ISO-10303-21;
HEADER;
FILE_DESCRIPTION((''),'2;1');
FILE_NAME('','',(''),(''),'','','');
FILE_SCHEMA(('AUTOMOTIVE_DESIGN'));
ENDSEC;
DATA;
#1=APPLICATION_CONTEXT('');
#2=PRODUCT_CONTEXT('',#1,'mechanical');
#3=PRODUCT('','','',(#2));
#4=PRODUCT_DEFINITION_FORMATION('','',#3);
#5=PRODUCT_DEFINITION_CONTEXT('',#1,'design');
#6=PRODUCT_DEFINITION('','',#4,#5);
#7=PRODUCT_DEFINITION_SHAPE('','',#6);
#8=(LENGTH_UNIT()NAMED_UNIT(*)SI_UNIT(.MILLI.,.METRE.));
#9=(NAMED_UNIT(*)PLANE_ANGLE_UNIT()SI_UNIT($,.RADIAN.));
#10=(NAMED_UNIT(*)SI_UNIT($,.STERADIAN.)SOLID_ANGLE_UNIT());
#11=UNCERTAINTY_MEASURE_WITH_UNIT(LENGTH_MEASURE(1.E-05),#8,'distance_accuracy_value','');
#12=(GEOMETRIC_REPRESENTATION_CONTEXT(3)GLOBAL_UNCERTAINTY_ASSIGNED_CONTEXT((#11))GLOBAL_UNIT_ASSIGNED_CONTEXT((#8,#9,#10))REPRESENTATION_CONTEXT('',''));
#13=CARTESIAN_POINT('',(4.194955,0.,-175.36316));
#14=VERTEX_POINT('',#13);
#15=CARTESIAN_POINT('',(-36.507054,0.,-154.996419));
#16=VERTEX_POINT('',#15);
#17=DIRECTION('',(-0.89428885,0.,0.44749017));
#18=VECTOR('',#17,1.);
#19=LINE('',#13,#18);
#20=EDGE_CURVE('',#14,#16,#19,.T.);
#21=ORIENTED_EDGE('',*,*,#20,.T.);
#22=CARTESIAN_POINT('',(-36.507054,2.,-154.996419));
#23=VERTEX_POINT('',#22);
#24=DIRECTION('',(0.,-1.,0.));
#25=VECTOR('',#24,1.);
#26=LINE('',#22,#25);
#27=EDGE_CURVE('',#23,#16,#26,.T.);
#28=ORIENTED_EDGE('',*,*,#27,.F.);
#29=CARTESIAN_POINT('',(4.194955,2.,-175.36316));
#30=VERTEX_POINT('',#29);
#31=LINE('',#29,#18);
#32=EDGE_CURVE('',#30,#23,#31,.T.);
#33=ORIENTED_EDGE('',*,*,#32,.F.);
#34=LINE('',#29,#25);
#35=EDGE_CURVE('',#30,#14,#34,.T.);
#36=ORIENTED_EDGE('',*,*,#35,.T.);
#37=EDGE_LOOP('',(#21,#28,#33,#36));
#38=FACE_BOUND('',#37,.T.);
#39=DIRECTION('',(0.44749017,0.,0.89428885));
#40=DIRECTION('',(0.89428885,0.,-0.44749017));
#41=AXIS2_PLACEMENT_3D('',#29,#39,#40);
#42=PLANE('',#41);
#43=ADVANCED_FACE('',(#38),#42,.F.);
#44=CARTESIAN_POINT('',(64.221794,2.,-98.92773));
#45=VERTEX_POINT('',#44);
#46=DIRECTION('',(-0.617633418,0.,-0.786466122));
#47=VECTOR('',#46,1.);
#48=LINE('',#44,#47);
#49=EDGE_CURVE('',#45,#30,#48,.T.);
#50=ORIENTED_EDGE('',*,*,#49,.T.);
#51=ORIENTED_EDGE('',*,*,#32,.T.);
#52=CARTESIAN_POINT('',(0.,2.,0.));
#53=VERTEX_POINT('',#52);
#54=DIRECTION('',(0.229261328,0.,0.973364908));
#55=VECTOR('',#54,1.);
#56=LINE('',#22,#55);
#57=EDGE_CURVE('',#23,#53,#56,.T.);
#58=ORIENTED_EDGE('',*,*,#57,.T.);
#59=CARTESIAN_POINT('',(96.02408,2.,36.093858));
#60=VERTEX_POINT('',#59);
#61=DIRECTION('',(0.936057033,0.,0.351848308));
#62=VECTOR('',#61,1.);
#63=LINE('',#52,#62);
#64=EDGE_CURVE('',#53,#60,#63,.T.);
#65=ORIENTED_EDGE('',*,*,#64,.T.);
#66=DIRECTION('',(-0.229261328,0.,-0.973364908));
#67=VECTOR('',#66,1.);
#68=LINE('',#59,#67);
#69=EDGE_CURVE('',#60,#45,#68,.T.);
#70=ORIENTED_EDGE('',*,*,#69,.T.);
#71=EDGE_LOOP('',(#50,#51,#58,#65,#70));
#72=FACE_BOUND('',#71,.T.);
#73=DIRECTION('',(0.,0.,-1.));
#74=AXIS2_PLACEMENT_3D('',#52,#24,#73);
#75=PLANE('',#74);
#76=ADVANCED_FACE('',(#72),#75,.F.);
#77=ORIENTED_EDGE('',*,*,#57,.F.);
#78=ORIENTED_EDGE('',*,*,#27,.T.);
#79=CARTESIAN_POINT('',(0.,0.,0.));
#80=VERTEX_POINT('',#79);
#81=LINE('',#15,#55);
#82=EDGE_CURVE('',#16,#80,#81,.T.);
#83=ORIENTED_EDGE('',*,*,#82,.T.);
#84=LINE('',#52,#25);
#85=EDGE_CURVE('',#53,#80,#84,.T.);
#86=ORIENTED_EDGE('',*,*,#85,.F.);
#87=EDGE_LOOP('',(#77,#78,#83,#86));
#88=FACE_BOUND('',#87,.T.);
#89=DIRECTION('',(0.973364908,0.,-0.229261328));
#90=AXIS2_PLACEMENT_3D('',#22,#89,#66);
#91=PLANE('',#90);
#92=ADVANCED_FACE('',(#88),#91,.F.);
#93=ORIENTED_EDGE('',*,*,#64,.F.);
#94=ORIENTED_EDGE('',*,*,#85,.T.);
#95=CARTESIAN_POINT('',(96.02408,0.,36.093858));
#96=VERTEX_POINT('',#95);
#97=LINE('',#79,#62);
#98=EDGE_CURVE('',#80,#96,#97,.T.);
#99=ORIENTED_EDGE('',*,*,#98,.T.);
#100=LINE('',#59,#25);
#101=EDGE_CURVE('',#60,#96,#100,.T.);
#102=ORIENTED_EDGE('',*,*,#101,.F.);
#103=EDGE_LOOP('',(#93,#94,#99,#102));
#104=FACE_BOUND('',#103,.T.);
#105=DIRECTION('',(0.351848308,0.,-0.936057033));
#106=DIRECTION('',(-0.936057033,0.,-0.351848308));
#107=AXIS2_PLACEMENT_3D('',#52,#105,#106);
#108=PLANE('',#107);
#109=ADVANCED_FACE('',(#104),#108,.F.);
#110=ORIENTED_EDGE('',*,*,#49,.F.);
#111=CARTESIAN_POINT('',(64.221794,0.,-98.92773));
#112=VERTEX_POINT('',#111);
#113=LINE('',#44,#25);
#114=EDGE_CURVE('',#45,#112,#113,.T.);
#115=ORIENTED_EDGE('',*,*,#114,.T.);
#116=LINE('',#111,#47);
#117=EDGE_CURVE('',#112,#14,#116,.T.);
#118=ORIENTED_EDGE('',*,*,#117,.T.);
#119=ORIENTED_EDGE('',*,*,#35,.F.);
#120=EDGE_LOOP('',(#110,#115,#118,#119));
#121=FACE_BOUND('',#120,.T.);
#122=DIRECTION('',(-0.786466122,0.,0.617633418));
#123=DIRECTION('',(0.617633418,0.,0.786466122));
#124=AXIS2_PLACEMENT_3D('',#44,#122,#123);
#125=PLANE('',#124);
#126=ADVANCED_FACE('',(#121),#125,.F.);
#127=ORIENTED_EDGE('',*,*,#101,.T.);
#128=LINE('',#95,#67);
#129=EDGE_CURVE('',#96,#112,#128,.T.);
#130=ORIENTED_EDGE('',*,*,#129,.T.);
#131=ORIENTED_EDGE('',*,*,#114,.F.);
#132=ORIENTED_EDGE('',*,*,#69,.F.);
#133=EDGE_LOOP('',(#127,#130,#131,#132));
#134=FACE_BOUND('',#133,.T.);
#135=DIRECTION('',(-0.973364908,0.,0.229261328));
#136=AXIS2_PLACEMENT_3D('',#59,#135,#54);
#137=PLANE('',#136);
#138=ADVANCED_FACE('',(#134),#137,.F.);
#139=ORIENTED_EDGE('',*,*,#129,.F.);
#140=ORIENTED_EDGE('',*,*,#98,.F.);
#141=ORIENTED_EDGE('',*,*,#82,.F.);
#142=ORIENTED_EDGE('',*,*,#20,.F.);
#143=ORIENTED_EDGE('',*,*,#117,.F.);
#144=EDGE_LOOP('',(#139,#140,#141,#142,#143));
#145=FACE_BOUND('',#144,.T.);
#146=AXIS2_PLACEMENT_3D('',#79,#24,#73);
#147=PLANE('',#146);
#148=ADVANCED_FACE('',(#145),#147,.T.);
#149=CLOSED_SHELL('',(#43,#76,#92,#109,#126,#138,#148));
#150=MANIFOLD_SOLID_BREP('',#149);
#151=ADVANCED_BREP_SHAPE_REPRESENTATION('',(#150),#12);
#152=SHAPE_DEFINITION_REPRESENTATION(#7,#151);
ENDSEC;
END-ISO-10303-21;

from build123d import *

# Parameters (mm, degrees)
BOSS_EXTRU_1_DEPTH = 2


with BuildPart() as part:
    # Esquisse1 → Boss.-Extru.1 (new body)
    with BuildSketch(Plane(origin=(0, 0, 0), x_dir=(1, 0, 0), z_dir=(0, 1, 0))):
        Polygon((-36.507053773, 154.99641939), (0, 0), (96.02407972, -36.09385835), (64.221794297, 98.927729526), (4.194954591, 175.363159542), align=None)
    extrude(amount=BOSS_EXTRU_1_DEPTH)


solid = part.part
